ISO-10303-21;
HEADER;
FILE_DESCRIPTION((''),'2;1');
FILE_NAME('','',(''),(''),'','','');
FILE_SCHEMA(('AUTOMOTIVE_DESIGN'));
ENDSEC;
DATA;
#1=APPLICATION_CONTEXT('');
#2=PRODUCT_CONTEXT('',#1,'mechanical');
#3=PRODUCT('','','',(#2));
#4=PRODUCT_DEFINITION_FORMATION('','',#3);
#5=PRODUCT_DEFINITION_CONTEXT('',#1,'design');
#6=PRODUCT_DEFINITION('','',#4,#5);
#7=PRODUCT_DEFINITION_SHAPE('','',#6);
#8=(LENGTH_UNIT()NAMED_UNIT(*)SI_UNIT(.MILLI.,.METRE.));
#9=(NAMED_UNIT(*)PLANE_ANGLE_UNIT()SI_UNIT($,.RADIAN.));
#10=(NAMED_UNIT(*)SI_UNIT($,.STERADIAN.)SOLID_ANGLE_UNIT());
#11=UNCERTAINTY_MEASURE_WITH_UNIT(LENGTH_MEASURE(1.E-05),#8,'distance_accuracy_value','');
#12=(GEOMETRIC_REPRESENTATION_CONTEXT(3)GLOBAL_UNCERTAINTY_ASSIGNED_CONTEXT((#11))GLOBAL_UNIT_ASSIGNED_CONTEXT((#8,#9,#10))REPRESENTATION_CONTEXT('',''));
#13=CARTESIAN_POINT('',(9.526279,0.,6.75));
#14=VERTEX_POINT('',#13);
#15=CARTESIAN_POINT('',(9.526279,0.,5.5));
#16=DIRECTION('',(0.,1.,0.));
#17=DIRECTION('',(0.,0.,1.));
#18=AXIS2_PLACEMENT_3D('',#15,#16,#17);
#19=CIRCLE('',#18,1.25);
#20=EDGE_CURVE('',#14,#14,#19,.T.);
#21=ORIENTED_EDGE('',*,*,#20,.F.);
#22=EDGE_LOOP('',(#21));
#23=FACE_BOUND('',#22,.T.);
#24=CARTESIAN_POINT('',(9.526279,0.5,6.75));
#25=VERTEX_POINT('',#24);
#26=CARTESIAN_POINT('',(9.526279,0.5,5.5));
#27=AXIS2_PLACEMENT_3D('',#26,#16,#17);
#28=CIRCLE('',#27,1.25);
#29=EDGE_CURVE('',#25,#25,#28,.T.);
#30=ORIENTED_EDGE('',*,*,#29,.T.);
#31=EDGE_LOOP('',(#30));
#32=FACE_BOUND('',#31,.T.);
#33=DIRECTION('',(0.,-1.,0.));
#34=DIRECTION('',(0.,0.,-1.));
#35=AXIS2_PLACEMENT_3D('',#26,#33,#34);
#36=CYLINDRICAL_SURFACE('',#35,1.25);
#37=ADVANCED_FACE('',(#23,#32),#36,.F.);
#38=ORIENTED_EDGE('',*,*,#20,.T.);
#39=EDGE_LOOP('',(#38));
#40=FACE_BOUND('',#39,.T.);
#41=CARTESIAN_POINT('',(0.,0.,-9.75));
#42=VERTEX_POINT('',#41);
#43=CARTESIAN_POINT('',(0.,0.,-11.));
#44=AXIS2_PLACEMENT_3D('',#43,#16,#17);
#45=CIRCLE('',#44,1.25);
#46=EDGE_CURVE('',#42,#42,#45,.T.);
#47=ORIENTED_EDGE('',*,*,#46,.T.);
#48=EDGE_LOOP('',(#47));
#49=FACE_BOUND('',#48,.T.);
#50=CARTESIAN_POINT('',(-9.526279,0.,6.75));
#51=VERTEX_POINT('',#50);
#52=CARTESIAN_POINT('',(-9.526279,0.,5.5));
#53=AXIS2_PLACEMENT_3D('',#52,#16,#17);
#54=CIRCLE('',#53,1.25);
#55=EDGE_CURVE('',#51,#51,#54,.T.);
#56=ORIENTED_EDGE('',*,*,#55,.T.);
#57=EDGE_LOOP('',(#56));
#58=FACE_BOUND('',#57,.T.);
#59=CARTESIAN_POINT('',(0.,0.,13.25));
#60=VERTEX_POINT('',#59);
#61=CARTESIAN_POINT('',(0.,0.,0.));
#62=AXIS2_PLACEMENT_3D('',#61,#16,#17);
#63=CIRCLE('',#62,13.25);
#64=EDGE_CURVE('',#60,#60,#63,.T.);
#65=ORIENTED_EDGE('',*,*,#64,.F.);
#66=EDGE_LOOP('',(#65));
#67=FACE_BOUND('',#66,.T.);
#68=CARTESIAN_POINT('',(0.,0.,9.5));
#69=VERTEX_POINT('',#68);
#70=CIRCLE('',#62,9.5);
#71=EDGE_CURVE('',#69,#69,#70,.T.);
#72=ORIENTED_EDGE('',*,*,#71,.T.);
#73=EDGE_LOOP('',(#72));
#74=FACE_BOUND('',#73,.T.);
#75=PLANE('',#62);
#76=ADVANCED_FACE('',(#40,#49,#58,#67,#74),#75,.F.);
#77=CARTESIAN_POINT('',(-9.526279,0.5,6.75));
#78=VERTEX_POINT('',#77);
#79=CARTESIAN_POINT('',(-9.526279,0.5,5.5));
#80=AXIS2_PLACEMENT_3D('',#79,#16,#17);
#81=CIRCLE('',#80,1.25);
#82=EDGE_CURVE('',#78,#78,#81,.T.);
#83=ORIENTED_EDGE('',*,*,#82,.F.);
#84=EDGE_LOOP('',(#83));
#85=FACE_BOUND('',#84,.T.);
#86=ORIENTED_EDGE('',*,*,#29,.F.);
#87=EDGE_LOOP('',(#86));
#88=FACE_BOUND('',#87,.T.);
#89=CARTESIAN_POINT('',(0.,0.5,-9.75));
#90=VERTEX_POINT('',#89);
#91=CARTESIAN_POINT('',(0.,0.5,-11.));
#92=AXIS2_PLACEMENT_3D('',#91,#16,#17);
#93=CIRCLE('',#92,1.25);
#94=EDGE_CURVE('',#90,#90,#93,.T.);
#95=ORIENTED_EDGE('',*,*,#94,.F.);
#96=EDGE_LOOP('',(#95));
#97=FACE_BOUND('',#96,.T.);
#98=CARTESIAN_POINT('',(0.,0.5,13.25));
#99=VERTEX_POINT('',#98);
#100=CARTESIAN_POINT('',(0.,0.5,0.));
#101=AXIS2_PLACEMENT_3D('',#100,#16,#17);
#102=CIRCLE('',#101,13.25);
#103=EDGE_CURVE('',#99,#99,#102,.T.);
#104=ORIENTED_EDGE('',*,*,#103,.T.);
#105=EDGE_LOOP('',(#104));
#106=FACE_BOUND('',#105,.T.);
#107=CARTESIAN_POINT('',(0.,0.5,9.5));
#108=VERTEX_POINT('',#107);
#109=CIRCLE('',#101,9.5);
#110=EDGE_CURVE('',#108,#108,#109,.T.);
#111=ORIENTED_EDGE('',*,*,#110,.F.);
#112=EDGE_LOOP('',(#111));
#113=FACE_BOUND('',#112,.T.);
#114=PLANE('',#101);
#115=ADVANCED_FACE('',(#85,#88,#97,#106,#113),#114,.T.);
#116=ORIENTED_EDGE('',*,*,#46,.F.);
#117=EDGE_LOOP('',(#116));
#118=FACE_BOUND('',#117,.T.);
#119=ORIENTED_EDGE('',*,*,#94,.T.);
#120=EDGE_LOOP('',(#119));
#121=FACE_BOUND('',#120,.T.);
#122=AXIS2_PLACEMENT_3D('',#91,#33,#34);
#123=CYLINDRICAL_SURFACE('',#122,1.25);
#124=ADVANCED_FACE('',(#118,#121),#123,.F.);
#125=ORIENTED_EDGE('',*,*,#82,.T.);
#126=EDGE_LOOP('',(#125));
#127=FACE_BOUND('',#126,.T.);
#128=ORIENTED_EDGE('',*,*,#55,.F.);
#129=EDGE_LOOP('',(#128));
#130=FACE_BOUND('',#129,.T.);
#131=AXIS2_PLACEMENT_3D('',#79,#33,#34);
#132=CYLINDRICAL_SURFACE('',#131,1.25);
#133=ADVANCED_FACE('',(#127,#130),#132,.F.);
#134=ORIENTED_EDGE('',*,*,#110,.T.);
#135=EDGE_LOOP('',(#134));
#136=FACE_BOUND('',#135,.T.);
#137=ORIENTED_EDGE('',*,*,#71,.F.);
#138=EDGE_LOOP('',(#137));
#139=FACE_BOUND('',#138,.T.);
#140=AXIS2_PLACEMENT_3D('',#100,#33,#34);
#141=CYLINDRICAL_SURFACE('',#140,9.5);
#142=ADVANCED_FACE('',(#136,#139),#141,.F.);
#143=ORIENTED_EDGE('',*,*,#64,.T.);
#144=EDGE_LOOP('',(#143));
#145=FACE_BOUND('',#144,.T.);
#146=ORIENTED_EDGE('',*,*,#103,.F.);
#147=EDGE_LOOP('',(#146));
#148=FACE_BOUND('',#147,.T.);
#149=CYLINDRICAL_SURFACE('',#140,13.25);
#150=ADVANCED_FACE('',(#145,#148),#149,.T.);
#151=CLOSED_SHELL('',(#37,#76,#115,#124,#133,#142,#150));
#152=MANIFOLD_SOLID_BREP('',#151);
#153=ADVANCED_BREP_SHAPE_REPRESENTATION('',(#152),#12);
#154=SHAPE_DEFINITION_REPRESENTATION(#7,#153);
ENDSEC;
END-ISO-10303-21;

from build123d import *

# Parameters (mm, degrees)
SKETCH1_R           = 13.25
SKETCH1_R_2         = 9.5
SKETCH1_R_3         = 1.25
BOSS_EXTRUDE1_DEPTH = 0.5


with BuildPart() as part:
    # Sketch1 → Boss-Extrude1 (new body)
    with BuildSketch(Plane(origin=(0, 0, 0), x_dir=(1, 0, 0), z_dir=(0, 1, 0))):
        with Locations(Location((0, 0, 0), (0, 0, 270))):
            Circle(SKETCH1_R)
        with Locations(Location((0, 0, 0), (0, 0, 270))):
            Circle(SKETCH1_R_2, mode=Mode.SUBTRACT)
        with Locations(Location((0, 11, 0), (0, 0, 270))):
            Circle(SKETCH1_R_3, mode=Mode.SUBTRACT)
        with Locations(Location((9.526279442, -5.5, 0), (0, 0, 270))):
            Circle(SKETCH1_R_3, mode=Mode.SUBTRACT)
        with Locations(Location((-9.526279442, -5.5, 0), (0, 0, 270))):
            Circle(SKETCH1_R_3, mode=Mode.SUBTRACT)
    extrude(amount=BOSS_EXTRUDE1_DEPTH)


solid = part.part
